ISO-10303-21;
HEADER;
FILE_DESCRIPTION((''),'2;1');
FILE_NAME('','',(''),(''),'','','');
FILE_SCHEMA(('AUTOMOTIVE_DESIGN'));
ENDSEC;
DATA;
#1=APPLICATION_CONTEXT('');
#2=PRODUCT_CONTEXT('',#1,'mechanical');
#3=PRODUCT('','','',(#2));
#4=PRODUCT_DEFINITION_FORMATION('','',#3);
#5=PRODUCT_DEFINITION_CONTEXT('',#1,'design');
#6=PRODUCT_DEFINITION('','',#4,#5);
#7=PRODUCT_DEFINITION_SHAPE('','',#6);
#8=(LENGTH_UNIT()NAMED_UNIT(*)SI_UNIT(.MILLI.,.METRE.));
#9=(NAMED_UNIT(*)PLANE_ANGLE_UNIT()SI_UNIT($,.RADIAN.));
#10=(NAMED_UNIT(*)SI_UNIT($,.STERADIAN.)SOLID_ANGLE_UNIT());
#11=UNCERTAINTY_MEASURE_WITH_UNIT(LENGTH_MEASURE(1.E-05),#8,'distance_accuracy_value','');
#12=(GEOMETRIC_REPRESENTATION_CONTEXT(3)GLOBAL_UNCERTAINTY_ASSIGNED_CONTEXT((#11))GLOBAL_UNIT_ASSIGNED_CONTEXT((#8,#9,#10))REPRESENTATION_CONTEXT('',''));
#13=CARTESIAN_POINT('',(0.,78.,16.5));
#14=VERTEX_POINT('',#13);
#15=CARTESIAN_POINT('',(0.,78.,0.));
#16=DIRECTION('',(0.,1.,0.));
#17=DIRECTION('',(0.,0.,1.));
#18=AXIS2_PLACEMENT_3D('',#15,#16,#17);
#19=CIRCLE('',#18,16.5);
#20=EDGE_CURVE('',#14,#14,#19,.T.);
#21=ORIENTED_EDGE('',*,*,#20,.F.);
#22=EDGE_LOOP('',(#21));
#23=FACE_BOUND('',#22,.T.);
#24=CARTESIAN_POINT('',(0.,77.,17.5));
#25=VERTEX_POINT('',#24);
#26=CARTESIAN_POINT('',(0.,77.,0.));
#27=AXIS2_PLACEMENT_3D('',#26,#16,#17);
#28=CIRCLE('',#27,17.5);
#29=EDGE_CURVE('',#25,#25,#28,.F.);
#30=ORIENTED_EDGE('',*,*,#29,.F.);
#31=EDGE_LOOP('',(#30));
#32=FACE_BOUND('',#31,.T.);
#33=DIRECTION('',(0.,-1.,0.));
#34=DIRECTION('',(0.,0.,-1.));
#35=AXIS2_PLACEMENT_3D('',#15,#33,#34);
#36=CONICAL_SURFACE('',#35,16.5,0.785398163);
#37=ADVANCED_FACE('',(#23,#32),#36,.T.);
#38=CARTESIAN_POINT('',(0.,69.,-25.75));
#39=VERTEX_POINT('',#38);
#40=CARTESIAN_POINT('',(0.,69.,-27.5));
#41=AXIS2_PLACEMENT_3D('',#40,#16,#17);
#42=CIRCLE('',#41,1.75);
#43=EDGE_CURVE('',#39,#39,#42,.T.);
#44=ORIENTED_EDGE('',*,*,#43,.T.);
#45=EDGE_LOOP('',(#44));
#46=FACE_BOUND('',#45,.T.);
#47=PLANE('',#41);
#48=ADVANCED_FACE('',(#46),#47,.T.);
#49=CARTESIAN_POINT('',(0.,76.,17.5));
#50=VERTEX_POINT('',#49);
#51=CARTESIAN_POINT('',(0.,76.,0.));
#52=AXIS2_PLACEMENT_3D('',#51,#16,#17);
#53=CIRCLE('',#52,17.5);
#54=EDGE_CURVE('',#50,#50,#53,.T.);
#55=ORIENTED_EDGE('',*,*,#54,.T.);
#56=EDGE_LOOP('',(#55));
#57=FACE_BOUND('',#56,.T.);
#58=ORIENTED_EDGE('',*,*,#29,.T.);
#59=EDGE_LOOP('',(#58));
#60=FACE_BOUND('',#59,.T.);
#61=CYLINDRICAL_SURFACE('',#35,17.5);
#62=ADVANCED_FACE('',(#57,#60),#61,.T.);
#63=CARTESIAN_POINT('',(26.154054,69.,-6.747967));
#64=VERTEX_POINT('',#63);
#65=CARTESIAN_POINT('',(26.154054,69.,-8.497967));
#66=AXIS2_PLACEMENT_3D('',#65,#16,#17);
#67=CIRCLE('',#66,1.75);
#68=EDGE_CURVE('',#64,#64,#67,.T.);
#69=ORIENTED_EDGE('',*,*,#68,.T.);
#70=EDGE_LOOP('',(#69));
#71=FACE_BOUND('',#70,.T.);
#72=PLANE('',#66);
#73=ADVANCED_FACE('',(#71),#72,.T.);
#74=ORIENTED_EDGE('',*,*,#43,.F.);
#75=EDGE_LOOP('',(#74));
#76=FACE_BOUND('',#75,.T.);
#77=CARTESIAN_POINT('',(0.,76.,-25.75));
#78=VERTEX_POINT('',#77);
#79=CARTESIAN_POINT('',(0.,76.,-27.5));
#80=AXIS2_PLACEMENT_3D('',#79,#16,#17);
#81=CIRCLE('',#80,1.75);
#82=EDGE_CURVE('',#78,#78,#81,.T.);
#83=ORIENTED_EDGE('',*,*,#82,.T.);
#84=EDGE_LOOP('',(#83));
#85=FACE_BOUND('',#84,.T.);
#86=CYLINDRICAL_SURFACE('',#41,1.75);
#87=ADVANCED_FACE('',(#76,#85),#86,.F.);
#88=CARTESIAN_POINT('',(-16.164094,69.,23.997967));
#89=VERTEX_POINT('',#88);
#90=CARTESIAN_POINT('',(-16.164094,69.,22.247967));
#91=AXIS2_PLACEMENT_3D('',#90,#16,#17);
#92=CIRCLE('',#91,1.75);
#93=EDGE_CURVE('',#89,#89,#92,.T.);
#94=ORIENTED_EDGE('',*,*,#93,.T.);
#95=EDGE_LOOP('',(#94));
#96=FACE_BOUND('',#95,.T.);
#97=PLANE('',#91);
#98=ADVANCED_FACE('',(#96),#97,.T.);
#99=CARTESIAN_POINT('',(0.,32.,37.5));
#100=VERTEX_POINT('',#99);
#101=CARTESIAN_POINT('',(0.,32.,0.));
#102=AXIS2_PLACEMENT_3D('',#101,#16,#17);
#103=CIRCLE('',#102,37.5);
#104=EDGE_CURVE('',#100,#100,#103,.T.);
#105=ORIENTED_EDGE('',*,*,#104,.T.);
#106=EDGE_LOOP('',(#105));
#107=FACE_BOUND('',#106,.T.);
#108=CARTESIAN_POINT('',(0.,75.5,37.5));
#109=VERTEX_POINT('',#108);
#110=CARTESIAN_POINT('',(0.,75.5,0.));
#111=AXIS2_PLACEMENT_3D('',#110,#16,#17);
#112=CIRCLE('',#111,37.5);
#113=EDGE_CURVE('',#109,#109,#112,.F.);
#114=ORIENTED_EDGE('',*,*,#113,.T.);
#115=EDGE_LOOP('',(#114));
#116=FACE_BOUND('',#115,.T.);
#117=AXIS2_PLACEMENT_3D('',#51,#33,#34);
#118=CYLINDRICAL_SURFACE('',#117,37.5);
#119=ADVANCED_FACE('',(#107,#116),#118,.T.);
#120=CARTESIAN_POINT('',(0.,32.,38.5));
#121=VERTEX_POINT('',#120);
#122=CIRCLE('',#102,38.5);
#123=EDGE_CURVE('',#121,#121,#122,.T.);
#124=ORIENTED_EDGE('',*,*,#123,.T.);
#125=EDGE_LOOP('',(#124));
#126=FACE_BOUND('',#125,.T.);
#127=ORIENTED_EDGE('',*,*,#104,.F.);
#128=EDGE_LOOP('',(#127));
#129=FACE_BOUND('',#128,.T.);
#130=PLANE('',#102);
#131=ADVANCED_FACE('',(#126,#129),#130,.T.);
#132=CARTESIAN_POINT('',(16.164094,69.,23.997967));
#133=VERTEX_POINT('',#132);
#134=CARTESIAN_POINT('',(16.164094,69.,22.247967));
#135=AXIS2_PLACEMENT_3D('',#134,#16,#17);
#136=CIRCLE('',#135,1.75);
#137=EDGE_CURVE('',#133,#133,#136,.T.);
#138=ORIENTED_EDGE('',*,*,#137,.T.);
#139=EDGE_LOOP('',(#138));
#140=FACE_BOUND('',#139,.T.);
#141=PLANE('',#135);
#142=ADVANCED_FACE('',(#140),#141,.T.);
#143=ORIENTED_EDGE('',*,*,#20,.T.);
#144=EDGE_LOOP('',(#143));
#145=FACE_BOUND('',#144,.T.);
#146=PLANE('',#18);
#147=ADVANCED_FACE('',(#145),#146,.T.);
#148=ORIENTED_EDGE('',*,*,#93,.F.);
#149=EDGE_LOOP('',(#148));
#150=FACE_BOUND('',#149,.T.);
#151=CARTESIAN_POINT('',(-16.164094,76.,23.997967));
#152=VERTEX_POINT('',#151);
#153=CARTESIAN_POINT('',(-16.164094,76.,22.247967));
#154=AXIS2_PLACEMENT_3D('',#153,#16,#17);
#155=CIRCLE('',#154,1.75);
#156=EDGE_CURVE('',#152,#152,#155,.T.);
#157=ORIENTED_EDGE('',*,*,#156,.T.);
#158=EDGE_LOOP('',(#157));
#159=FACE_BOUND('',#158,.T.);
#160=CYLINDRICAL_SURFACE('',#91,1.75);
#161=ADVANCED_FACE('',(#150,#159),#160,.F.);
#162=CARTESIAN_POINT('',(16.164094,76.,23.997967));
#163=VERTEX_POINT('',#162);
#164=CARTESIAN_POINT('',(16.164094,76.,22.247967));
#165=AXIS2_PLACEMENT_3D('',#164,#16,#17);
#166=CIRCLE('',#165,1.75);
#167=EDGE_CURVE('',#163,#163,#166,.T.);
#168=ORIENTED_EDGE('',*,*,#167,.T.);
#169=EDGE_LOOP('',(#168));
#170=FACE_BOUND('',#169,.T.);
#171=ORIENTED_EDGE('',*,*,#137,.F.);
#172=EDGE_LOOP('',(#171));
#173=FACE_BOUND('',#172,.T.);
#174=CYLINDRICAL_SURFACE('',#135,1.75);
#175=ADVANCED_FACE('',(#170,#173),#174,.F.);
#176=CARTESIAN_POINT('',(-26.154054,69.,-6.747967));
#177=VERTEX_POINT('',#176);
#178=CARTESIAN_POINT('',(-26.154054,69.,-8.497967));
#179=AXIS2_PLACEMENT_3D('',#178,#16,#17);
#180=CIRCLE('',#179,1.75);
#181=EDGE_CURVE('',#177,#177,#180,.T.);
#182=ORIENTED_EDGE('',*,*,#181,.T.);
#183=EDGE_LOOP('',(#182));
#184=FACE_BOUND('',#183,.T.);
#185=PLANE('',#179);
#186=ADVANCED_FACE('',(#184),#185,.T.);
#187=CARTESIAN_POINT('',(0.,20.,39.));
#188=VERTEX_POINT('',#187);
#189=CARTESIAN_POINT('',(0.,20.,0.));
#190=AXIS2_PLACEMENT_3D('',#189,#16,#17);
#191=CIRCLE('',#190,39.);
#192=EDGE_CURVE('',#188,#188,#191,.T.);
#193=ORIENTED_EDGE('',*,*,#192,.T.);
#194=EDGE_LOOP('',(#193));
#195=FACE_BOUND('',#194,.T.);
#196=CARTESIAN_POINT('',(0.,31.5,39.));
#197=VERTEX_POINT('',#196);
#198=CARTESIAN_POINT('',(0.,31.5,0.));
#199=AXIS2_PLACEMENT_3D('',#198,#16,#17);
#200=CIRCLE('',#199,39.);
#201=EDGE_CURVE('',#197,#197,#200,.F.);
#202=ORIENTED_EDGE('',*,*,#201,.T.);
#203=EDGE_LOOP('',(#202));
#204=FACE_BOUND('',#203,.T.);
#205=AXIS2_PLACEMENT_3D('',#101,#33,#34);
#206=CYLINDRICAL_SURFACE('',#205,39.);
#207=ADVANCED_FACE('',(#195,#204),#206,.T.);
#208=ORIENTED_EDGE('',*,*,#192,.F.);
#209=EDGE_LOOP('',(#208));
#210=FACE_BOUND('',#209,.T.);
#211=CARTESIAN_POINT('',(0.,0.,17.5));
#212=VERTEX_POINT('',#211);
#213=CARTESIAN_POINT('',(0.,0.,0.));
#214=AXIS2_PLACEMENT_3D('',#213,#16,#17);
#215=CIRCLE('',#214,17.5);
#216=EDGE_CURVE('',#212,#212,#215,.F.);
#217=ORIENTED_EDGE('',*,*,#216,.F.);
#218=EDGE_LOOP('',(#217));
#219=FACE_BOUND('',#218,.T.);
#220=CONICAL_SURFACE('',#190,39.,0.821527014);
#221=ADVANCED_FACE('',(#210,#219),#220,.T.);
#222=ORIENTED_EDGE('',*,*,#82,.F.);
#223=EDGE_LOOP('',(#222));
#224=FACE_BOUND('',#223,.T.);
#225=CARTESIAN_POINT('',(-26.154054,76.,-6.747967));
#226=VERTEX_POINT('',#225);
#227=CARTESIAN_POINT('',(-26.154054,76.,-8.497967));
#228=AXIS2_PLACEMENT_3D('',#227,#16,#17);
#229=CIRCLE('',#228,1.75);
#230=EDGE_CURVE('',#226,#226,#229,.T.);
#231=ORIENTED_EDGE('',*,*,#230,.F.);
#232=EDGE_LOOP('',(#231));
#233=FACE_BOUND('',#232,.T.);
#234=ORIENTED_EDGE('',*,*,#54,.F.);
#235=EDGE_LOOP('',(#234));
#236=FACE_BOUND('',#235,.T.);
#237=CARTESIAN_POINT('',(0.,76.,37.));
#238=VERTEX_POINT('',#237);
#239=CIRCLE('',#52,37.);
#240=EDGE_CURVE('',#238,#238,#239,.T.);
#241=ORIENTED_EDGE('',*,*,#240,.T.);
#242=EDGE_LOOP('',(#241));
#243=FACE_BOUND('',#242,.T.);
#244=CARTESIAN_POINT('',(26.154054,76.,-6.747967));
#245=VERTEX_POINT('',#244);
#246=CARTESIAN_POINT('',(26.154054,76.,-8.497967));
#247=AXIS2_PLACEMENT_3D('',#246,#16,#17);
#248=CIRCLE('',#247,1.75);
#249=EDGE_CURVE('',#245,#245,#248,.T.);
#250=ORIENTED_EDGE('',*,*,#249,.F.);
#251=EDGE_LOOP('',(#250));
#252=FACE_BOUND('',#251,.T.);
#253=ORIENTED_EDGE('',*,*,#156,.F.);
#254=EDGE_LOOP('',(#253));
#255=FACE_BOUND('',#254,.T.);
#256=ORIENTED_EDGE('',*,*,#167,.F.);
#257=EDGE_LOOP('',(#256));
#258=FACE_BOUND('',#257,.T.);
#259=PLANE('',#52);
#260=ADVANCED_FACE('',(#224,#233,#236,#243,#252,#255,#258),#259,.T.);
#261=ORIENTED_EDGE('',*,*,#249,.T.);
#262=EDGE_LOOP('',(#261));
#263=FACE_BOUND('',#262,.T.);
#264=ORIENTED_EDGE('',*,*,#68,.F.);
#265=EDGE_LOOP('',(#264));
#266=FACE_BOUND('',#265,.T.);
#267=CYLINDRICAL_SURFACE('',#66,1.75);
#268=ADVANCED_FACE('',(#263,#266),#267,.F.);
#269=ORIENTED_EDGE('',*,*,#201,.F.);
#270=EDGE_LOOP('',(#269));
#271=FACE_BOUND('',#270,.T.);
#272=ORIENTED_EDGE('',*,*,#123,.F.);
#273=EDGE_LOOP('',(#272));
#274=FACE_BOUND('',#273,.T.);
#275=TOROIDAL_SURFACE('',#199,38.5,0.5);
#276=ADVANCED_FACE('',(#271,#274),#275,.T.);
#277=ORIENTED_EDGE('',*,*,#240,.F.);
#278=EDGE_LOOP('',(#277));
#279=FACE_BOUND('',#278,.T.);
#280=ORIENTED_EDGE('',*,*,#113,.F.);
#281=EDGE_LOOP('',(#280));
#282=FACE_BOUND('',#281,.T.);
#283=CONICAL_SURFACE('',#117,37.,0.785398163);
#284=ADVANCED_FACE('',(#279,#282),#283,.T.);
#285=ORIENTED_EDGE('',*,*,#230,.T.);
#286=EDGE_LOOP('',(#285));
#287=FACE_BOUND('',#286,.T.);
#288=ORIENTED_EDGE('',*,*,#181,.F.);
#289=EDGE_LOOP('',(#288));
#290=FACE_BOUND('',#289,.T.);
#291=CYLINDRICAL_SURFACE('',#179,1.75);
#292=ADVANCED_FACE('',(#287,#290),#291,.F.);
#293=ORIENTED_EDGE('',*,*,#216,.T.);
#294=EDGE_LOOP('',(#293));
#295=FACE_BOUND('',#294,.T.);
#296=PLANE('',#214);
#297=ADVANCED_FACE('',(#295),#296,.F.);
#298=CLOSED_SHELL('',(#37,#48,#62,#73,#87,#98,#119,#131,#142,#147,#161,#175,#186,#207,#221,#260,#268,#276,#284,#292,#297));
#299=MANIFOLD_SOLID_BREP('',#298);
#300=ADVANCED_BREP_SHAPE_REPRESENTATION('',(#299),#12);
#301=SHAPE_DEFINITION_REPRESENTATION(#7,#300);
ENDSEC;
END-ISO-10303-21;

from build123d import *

# Parameters (mm, degrees)
SKETCH1_R           = 37.5
SKETCH1_R_2         = 17.5
BOSS_EXTRUDE1_DEPTH = 76
SKETCH1_3_R         = 17.5
BOSS_EXTRUDE2_DEPTH = 78
SKETCH1_4_R         = 39
SKETCH1_4_R_2       = 37.5
BOSS_EXTRUDE3_DEPTH = 32
SKETCH2_R           = 1.75
CUT_EXTRUDE1_DEPTH  = 7
FILLET1_R           = 0.5
CHAMFER1_SIZE       = 0.5
CHAMFER2_SIZE       = 21.5
CHAMFER2_SIZE2      = 20
CHAMFER3_SIZE       = 1


with BuildPart() as part:
    # Sketch1 → Boss-Extrude1 (new body)
    with BuildSketch(Plane(origin=(0, 0, 0), x_dir=(1, 0, 0), z_dir=(0, 1, 0))):
        Circle(SKETCH1_R)
        Circle(SKETCH1_R_2, mode=Mode.SUBTRACT)
    extrude(amount=BOSS_EXTRUDE1_DEPTH)

    # Sketch1<3> → Boss-Extrude2 (add)
    with BuildSketch(Plane(origin=(0, 0, 0), x_dir=(1, 0, 0), z_dir=(0, 1, 0))):
        Circle(SKETCH1_3_R)
    extrude(amount=BOSS_EXTRUDE2_DEPTH)

    # Sketch1<4> → Boss-Extrude3 (add)
    with BuildSketch(Plane(origin=(0, 0, 0), x_dir=(1, 0, 0), z_dir=(0, 1, 0))):
        Circle(SKETCH1_4_R)
        Circle(SKETCH1_4_R_2, mode=Mode.SUBTRACT)
    extrude(amount=BOSS_EXTRUDE3_DEPTH)

    # Sketch2 → Cut-Extrude1 (cut)
    with BuildSketch(Plane(origin=(0, 76, 0), x_dir=(1, 0, 0), z_dir=(0, 1, 0))):
        with Locations((0, 27.5)):
            Circle(SKETCH2_R)
        with Locations((26.154054198, 8.497967345)):
            Circle(SKETCH2_R)
        with Locations((16.164094438, -22.247967345)):
            Circle(SKETCH2_R)
        with Locations((-16.164094438, -22.247967345)):
            Circle(SKETCH2_R)
        with Locations((-26.154054198, 8.497967345)):
            Circle(SKETCH2_R)
    extrude(amount=-CUT_EXTRUDE1_DEPTH, mode=Mode.SUBTRACT)

    # Fillet1
    fillet1_edges = [part.edges().sort_by_distance(p)[0] for p in [
        (-39, 32, 0),
    ]]
    fillet(fillet1_edges, radius=FILLET1_R)

    # Chamfer1
    chamfer1_edges = [part.edges().sort_by_distance(p)[0] for p in [
        (-37.5, 76, 0),
    ]]
    chamfer(chamfer1_edges, length=CHAMFER1_SIZE)

    # Chamfer2
    chamfer2_edges = [part.edges().sort_by_distance(p)[0] for p in [
        (-39, 0, 0),
    ]]
    chamfer2_side = [part.faces().sort_by_distance(p)[0] for p in [
        (0, 0, 0),
    ]]
    chamfer(chamfer2_edges, length=CHAMFER2_SIZE, length2=CHAMFER2_SIZE2, reference=chamfer2_side[0])

    # Chamfer3
    chamfer3_edges = [part.edges().sort_by_distance(p)[0] for p in [
        (-17.5, 78, 0),
    ]]
    chamfer(chamfer3_edges, length=CHAMFER3_SIZE)


solid = part.part
